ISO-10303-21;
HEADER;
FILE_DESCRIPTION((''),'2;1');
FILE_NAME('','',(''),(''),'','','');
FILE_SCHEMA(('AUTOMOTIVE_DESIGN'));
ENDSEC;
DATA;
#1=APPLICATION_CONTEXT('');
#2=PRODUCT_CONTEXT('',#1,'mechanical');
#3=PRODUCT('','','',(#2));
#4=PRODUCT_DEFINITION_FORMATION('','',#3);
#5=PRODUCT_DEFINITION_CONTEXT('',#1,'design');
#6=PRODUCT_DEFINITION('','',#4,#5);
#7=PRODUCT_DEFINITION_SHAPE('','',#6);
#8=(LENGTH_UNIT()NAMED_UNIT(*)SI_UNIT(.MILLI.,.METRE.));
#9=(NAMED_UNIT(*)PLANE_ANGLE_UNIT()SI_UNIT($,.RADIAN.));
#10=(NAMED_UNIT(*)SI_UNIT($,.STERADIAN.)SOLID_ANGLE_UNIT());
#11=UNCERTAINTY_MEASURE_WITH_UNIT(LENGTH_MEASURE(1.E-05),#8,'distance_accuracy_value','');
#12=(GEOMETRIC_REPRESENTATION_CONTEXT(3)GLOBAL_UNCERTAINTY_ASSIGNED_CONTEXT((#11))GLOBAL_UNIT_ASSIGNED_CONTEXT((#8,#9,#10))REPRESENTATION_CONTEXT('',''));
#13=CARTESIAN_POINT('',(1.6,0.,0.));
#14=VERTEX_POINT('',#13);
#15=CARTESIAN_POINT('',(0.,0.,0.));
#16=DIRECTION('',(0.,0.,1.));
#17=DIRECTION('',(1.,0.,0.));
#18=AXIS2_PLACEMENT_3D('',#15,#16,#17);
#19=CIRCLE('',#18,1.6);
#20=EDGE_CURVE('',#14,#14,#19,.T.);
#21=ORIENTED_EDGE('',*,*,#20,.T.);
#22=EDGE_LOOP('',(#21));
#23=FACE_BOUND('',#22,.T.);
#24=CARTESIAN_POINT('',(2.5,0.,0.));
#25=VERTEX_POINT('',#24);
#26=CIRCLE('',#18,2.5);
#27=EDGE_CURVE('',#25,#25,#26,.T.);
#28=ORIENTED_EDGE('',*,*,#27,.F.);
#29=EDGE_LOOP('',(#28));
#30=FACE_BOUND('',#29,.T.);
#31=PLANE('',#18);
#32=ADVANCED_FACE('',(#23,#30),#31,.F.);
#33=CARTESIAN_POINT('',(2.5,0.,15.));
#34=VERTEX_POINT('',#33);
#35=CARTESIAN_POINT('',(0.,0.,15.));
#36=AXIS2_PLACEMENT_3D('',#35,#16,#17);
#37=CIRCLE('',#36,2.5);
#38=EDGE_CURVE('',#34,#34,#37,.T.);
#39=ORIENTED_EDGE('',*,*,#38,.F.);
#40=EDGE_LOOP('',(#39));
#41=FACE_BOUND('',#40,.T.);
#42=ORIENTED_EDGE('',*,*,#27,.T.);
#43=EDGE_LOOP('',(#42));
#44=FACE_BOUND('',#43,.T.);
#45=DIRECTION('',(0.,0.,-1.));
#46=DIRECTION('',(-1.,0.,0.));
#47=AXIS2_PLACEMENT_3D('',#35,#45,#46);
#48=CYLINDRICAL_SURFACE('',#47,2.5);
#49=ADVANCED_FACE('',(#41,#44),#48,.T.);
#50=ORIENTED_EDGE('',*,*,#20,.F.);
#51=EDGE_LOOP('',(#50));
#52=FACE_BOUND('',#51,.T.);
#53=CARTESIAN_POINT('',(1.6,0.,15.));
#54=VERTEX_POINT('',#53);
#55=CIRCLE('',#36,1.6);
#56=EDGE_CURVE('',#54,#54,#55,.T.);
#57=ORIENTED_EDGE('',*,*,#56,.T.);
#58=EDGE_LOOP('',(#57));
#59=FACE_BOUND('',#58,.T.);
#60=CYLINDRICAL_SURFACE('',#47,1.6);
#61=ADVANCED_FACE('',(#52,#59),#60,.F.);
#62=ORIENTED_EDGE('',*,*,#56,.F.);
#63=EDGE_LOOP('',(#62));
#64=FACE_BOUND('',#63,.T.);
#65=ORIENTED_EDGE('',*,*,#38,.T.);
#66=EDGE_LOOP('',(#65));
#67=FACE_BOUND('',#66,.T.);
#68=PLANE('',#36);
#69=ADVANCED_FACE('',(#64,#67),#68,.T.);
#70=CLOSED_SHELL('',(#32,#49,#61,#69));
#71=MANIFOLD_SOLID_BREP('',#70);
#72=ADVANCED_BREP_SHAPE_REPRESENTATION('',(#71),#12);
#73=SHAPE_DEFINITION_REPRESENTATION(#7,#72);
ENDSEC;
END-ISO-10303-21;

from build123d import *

# Parameters (mm, degrees)
SKETCH_1_R      = 2.5
SKETCH_1_R_2    = 1.6
EXTRUDE_1_DEPTH = 15


with BuildPart() as part:
    # ｽｹｯﾁ1 → ﾎﾞｽ - 押し出し1 (new body)
    with BuildSketch(Plane.XY):
        Circle(SKETCH_1_R)
        Circle(SKETCH_1_R_2, mode=Mode.SUBTRACT)
    extrude(amount=EXTRUDE_1_DEPTH)


solid = part.part
